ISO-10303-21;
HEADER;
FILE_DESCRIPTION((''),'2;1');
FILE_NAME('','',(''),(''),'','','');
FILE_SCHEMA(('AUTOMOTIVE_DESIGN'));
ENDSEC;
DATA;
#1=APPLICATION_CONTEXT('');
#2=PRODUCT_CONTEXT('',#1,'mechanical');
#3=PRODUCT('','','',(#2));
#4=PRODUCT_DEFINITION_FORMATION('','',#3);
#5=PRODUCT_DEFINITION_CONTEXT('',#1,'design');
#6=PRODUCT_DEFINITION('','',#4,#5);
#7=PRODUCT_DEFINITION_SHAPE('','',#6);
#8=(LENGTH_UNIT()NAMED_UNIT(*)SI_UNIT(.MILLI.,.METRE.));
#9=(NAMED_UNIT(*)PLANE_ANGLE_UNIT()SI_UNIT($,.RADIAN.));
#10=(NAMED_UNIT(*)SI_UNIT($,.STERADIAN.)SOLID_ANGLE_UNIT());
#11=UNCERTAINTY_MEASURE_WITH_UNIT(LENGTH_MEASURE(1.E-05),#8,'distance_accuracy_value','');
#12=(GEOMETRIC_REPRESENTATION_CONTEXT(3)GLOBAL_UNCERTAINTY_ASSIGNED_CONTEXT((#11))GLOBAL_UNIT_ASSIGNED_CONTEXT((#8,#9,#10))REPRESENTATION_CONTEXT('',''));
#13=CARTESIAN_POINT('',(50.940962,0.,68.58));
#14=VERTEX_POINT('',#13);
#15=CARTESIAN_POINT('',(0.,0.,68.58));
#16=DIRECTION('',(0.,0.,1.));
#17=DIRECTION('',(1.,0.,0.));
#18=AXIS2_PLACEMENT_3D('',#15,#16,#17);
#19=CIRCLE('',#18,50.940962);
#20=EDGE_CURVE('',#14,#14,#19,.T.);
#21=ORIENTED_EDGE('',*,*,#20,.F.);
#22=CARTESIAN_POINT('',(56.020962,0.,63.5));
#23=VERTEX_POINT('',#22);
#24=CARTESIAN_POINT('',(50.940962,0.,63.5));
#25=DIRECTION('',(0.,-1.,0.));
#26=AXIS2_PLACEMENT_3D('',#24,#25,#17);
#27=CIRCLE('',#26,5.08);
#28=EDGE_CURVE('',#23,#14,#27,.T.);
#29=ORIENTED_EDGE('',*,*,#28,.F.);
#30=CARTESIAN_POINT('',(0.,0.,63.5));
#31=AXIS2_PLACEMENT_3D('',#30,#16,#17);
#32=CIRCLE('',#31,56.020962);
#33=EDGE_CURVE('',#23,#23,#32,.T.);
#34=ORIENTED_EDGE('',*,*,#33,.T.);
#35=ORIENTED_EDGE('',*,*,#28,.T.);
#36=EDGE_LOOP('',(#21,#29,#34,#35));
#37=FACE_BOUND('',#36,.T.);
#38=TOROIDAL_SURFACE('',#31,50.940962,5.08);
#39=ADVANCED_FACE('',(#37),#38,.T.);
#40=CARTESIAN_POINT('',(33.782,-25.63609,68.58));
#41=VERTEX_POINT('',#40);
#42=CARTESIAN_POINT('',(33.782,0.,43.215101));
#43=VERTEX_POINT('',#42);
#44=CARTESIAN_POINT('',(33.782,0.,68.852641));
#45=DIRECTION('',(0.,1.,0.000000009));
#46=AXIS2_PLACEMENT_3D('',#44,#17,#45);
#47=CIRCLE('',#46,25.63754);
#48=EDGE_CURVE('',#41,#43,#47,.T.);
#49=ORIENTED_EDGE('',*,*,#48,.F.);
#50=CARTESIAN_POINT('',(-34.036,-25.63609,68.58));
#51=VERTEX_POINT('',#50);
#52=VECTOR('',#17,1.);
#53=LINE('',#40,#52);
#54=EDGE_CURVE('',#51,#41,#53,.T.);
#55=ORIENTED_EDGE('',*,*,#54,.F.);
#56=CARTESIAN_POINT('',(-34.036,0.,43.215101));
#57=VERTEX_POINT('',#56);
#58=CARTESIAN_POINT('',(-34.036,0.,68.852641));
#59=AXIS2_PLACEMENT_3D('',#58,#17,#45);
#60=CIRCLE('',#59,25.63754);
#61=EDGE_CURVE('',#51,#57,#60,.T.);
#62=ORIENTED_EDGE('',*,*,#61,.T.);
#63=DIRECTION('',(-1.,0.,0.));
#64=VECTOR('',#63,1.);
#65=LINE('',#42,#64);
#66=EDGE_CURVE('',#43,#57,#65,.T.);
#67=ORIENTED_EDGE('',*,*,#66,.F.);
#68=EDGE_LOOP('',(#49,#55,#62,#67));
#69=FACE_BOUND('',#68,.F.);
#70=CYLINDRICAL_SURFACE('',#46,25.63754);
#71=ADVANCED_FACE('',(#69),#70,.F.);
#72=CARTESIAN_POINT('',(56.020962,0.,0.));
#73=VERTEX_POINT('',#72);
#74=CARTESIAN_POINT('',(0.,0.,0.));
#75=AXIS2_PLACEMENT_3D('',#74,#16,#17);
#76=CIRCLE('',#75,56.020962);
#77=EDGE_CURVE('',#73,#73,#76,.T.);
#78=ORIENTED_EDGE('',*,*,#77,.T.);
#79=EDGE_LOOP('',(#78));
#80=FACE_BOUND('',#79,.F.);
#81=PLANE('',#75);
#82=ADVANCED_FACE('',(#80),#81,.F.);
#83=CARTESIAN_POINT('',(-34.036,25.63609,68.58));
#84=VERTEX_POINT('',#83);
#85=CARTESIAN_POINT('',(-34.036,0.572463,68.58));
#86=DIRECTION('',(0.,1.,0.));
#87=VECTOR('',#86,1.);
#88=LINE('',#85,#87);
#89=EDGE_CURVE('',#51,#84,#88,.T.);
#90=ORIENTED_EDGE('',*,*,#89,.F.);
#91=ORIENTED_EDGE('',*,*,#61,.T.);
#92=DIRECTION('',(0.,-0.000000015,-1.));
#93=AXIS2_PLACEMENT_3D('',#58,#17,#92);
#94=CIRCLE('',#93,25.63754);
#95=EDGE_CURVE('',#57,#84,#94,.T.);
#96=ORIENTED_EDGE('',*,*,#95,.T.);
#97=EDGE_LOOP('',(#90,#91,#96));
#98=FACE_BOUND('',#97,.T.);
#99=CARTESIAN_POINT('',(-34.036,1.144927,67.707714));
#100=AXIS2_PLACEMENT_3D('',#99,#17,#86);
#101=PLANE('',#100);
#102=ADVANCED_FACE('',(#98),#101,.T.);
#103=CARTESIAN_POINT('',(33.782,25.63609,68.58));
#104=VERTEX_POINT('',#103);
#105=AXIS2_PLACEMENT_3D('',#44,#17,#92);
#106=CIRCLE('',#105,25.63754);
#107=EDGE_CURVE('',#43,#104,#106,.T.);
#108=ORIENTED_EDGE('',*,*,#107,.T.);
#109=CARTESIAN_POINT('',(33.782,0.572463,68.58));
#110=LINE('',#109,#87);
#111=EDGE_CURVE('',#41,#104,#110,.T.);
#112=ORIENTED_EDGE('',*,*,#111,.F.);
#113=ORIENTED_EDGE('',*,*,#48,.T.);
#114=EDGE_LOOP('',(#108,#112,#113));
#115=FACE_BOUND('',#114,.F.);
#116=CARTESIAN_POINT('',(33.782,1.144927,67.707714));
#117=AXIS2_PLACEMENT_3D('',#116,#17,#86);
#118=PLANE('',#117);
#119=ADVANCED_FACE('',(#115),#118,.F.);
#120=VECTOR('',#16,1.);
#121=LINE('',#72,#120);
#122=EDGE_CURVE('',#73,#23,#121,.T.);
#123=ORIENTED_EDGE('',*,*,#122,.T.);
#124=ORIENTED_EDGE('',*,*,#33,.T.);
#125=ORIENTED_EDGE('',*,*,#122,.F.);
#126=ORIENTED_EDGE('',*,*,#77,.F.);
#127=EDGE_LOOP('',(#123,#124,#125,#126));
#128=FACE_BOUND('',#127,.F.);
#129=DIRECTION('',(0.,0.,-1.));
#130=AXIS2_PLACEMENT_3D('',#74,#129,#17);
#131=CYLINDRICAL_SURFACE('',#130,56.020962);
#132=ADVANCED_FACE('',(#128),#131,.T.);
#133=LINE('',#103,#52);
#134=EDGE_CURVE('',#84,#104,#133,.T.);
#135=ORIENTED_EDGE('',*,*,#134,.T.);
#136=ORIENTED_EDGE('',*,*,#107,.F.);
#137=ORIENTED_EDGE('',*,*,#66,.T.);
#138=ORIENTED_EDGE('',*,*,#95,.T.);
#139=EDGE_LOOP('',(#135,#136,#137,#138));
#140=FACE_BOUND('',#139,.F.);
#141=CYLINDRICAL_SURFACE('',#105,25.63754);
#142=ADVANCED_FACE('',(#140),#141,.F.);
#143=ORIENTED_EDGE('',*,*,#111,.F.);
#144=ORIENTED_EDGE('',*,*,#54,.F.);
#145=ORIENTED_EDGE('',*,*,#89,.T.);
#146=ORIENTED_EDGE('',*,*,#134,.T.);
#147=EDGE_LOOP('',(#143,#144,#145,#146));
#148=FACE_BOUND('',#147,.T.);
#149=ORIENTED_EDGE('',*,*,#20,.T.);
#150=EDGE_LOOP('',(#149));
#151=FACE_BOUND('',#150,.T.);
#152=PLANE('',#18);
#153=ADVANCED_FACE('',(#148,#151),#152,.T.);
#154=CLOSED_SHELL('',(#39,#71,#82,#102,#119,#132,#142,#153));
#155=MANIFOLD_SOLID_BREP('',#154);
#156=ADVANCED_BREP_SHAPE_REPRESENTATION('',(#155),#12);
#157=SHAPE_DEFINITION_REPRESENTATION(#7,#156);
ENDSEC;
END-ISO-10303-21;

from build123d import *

# Parameters (mm, degrees)
F0_R     = 56.020962
F1_DEPTH = 68.58
F4_DEPTH = 67.818
F5_R     = 5.08


with BuildPart() as f1:
    # F0 (on Top) → F1 (new body)
    with BuildSketch(Plane.XY):
        Circle(F0_R)
    extrude(amount=F1_DEPTH)

    # F3 (on offset) → F4 (cut)
    with BuildSketch(Plane.YZ.offset(33.782)):
        with BuildLine():
            ThreePointArc((0, 43.215101), (18.128478, 50.724162), (25.63754, 68.852641))
            ThreePointArc((25.63754, 68.852641), (-18.128478, 86.981119), (0, 43.215101))
        make_face()
    extrude(amount=-F4_DEPTH, mode=Mode.SUBTRACT)

    # F5
    f5_edges = [f1.edges().sort_by_distance(p)[0] for p in [
        (-56.020962, 0, 68.58),
    ]]
    fillet(f5_edges, radius=F5_R)


solid = f1.part
